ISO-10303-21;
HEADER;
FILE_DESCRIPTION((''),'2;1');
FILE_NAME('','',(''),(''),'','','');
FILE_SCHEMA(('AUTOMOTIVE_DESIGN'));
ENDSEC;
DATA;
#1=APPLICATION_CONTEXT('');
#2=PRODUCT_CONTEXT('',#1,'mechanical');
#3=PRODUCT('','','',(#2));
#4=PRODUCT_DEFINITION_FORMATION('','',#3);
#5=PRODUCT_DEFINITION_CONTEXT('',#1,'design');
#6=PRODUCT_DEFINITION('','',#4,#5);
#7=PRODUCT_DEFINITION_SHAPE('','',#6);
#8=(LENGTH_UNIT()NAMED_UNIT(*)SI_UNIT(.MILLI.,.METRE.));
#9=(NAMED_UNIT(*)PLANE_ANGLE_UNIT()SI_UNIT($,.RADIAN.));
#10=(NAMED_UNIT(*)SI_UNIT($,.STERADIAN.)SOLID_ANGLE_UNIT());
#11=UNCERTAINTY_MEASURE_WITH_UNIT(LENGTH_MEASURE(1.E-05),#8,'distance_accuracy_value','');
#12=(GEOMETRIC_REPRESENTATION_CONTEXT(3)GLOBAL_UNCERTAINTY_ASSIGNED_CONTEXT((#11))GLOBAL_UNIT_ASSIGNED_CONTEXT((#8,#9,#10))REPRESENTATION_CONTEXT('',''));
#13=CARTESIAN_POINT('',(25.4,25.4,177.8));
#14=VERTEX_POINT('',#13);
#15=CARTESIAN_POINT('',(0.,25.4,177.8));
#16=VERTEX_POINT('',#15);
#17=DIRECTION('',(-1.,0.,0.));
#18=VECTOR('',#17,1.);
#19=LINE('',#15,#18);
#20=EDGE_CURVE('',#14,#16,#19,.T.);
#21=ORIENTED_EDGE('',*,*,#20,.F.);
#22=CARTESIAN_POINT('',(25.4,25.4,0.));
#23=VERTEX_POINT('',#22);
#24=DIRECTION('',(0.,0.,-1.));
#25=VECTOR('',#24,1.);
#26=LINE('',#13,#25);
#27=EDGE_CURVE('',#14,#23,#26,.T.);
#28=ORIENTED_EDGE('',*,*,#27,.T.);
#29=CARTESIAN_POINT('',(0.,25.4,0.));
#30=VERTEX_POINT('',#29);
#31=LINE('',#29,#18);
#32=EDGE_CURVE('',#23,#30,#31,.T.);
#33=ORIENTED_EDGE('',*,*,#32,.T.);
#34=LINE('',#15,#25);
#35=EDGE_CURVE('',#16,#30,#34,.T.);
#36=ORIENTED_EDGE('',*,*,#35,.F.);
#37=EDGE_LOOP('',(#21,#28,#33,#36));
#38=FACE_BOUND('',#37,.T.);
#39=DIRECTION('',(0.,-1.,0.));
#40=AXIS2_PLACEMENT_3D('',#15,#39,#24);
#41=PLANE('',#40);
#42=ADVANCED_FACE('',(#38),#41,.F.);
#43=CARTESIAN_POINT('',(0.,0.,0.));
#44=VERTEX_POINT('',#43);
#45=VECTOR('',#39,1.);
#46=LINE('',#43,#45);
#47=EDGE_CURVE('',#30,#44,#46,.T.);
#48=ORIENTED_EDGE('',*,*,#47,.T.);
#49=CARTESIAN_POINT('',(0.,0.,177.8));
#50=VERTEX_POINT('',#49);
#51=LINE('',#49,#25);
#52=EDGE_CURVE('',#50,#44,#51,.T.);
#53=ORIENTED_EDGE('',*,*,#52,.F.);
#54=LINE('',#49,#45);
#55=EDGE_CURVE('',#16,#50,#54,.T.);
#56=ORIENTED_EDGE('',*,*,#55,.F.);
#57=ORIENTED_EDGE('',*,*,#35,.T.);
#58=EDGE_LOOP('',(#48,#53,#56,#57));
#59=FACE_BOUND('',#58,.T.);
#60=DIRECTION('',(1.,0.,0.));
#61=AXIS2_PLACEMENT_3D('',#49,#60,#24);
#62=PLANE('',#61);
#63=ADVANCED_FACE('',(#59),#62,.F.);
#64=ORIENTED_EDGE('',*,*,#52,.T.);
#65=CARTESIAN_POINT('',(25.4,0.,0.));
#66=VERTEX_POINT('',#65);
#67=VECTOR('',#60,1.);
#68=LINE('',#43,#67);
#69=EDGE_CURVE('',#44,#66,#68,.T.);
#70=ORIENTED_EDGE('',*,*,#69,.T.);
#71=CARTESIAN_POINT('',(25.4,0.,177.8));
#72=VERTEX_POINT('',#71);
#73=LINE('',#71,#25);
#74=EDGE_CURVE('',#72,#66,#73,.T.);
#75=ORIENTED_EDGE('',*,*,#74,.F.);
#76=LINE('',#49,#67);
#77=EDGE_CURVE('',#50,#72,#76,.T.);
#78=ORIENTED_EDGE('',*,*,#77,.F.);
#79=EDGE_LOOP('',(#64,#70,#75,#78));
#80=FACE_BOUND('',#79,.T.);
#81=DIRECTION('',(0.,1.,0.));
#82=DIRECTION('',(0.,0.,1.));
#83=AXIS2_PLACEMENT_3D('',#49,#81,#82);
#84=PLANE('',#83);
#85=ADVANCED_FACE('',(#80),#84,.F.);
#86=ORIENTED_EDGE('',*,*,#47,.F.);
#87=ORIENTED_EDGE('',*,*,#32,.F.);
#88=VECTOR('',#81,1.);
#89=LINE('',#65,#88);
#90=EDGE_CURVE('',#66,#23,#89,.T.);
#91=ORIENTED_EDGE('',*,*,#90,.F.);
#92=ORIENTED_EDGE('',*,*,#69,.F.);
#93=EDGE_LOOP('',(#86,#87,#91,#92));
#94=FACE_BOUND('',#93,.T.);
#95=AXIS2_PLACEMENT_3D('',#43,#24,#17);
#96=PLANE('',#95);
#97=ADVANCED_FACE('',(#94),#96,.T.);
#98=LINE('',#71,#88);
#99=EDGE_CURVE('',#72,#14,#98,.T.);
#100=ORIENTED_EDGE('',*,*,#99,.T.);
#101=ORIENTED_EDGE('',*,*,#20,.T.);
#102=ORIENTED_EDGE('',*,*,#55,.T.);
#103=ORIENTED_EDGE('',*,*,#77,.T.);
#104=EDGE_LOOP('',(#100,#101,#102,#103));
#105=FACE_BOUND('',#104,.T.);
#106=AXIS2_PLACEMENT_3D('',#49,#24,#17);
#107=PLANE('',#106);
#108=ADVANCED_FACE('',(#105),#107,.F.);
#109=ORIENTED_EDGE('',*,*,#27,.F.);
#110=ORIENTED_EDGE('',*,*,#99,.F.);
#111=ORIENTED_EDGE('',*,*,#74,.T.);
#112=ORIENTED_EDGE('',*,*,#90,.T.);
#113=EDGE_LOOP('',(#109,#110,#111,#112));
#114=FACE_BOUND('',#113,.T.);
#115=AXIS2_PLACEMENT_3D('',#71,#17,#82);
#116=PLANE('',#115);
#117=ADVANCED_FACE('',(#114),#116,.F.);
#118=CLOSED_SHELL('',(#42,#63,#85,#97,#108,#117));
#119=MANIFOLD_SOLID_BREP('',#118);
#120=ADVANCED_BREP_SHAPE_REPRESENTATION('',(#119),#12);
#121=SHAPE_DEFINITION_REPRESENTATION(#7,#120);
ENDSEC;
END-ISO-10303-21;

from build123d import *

# Parameters (mm, degrees)
SKETCH1_W           = 25.4
SKETCH1_H           = 25.4
BOSS_EXTRUDE1_DEPTH = 177.8


with BuildPart() as part:
    # Sketch1 → Boss-Extrude1 (new body)
    with BuildSketch(Plane.XY):
        with Locations((12.7, 12.7)):
            Rectangle(SKETCH1_W, SKETCH1_H)
    extrude(amount=BOSS_EXTRUDE1_DEPTH)


solid = part.part
